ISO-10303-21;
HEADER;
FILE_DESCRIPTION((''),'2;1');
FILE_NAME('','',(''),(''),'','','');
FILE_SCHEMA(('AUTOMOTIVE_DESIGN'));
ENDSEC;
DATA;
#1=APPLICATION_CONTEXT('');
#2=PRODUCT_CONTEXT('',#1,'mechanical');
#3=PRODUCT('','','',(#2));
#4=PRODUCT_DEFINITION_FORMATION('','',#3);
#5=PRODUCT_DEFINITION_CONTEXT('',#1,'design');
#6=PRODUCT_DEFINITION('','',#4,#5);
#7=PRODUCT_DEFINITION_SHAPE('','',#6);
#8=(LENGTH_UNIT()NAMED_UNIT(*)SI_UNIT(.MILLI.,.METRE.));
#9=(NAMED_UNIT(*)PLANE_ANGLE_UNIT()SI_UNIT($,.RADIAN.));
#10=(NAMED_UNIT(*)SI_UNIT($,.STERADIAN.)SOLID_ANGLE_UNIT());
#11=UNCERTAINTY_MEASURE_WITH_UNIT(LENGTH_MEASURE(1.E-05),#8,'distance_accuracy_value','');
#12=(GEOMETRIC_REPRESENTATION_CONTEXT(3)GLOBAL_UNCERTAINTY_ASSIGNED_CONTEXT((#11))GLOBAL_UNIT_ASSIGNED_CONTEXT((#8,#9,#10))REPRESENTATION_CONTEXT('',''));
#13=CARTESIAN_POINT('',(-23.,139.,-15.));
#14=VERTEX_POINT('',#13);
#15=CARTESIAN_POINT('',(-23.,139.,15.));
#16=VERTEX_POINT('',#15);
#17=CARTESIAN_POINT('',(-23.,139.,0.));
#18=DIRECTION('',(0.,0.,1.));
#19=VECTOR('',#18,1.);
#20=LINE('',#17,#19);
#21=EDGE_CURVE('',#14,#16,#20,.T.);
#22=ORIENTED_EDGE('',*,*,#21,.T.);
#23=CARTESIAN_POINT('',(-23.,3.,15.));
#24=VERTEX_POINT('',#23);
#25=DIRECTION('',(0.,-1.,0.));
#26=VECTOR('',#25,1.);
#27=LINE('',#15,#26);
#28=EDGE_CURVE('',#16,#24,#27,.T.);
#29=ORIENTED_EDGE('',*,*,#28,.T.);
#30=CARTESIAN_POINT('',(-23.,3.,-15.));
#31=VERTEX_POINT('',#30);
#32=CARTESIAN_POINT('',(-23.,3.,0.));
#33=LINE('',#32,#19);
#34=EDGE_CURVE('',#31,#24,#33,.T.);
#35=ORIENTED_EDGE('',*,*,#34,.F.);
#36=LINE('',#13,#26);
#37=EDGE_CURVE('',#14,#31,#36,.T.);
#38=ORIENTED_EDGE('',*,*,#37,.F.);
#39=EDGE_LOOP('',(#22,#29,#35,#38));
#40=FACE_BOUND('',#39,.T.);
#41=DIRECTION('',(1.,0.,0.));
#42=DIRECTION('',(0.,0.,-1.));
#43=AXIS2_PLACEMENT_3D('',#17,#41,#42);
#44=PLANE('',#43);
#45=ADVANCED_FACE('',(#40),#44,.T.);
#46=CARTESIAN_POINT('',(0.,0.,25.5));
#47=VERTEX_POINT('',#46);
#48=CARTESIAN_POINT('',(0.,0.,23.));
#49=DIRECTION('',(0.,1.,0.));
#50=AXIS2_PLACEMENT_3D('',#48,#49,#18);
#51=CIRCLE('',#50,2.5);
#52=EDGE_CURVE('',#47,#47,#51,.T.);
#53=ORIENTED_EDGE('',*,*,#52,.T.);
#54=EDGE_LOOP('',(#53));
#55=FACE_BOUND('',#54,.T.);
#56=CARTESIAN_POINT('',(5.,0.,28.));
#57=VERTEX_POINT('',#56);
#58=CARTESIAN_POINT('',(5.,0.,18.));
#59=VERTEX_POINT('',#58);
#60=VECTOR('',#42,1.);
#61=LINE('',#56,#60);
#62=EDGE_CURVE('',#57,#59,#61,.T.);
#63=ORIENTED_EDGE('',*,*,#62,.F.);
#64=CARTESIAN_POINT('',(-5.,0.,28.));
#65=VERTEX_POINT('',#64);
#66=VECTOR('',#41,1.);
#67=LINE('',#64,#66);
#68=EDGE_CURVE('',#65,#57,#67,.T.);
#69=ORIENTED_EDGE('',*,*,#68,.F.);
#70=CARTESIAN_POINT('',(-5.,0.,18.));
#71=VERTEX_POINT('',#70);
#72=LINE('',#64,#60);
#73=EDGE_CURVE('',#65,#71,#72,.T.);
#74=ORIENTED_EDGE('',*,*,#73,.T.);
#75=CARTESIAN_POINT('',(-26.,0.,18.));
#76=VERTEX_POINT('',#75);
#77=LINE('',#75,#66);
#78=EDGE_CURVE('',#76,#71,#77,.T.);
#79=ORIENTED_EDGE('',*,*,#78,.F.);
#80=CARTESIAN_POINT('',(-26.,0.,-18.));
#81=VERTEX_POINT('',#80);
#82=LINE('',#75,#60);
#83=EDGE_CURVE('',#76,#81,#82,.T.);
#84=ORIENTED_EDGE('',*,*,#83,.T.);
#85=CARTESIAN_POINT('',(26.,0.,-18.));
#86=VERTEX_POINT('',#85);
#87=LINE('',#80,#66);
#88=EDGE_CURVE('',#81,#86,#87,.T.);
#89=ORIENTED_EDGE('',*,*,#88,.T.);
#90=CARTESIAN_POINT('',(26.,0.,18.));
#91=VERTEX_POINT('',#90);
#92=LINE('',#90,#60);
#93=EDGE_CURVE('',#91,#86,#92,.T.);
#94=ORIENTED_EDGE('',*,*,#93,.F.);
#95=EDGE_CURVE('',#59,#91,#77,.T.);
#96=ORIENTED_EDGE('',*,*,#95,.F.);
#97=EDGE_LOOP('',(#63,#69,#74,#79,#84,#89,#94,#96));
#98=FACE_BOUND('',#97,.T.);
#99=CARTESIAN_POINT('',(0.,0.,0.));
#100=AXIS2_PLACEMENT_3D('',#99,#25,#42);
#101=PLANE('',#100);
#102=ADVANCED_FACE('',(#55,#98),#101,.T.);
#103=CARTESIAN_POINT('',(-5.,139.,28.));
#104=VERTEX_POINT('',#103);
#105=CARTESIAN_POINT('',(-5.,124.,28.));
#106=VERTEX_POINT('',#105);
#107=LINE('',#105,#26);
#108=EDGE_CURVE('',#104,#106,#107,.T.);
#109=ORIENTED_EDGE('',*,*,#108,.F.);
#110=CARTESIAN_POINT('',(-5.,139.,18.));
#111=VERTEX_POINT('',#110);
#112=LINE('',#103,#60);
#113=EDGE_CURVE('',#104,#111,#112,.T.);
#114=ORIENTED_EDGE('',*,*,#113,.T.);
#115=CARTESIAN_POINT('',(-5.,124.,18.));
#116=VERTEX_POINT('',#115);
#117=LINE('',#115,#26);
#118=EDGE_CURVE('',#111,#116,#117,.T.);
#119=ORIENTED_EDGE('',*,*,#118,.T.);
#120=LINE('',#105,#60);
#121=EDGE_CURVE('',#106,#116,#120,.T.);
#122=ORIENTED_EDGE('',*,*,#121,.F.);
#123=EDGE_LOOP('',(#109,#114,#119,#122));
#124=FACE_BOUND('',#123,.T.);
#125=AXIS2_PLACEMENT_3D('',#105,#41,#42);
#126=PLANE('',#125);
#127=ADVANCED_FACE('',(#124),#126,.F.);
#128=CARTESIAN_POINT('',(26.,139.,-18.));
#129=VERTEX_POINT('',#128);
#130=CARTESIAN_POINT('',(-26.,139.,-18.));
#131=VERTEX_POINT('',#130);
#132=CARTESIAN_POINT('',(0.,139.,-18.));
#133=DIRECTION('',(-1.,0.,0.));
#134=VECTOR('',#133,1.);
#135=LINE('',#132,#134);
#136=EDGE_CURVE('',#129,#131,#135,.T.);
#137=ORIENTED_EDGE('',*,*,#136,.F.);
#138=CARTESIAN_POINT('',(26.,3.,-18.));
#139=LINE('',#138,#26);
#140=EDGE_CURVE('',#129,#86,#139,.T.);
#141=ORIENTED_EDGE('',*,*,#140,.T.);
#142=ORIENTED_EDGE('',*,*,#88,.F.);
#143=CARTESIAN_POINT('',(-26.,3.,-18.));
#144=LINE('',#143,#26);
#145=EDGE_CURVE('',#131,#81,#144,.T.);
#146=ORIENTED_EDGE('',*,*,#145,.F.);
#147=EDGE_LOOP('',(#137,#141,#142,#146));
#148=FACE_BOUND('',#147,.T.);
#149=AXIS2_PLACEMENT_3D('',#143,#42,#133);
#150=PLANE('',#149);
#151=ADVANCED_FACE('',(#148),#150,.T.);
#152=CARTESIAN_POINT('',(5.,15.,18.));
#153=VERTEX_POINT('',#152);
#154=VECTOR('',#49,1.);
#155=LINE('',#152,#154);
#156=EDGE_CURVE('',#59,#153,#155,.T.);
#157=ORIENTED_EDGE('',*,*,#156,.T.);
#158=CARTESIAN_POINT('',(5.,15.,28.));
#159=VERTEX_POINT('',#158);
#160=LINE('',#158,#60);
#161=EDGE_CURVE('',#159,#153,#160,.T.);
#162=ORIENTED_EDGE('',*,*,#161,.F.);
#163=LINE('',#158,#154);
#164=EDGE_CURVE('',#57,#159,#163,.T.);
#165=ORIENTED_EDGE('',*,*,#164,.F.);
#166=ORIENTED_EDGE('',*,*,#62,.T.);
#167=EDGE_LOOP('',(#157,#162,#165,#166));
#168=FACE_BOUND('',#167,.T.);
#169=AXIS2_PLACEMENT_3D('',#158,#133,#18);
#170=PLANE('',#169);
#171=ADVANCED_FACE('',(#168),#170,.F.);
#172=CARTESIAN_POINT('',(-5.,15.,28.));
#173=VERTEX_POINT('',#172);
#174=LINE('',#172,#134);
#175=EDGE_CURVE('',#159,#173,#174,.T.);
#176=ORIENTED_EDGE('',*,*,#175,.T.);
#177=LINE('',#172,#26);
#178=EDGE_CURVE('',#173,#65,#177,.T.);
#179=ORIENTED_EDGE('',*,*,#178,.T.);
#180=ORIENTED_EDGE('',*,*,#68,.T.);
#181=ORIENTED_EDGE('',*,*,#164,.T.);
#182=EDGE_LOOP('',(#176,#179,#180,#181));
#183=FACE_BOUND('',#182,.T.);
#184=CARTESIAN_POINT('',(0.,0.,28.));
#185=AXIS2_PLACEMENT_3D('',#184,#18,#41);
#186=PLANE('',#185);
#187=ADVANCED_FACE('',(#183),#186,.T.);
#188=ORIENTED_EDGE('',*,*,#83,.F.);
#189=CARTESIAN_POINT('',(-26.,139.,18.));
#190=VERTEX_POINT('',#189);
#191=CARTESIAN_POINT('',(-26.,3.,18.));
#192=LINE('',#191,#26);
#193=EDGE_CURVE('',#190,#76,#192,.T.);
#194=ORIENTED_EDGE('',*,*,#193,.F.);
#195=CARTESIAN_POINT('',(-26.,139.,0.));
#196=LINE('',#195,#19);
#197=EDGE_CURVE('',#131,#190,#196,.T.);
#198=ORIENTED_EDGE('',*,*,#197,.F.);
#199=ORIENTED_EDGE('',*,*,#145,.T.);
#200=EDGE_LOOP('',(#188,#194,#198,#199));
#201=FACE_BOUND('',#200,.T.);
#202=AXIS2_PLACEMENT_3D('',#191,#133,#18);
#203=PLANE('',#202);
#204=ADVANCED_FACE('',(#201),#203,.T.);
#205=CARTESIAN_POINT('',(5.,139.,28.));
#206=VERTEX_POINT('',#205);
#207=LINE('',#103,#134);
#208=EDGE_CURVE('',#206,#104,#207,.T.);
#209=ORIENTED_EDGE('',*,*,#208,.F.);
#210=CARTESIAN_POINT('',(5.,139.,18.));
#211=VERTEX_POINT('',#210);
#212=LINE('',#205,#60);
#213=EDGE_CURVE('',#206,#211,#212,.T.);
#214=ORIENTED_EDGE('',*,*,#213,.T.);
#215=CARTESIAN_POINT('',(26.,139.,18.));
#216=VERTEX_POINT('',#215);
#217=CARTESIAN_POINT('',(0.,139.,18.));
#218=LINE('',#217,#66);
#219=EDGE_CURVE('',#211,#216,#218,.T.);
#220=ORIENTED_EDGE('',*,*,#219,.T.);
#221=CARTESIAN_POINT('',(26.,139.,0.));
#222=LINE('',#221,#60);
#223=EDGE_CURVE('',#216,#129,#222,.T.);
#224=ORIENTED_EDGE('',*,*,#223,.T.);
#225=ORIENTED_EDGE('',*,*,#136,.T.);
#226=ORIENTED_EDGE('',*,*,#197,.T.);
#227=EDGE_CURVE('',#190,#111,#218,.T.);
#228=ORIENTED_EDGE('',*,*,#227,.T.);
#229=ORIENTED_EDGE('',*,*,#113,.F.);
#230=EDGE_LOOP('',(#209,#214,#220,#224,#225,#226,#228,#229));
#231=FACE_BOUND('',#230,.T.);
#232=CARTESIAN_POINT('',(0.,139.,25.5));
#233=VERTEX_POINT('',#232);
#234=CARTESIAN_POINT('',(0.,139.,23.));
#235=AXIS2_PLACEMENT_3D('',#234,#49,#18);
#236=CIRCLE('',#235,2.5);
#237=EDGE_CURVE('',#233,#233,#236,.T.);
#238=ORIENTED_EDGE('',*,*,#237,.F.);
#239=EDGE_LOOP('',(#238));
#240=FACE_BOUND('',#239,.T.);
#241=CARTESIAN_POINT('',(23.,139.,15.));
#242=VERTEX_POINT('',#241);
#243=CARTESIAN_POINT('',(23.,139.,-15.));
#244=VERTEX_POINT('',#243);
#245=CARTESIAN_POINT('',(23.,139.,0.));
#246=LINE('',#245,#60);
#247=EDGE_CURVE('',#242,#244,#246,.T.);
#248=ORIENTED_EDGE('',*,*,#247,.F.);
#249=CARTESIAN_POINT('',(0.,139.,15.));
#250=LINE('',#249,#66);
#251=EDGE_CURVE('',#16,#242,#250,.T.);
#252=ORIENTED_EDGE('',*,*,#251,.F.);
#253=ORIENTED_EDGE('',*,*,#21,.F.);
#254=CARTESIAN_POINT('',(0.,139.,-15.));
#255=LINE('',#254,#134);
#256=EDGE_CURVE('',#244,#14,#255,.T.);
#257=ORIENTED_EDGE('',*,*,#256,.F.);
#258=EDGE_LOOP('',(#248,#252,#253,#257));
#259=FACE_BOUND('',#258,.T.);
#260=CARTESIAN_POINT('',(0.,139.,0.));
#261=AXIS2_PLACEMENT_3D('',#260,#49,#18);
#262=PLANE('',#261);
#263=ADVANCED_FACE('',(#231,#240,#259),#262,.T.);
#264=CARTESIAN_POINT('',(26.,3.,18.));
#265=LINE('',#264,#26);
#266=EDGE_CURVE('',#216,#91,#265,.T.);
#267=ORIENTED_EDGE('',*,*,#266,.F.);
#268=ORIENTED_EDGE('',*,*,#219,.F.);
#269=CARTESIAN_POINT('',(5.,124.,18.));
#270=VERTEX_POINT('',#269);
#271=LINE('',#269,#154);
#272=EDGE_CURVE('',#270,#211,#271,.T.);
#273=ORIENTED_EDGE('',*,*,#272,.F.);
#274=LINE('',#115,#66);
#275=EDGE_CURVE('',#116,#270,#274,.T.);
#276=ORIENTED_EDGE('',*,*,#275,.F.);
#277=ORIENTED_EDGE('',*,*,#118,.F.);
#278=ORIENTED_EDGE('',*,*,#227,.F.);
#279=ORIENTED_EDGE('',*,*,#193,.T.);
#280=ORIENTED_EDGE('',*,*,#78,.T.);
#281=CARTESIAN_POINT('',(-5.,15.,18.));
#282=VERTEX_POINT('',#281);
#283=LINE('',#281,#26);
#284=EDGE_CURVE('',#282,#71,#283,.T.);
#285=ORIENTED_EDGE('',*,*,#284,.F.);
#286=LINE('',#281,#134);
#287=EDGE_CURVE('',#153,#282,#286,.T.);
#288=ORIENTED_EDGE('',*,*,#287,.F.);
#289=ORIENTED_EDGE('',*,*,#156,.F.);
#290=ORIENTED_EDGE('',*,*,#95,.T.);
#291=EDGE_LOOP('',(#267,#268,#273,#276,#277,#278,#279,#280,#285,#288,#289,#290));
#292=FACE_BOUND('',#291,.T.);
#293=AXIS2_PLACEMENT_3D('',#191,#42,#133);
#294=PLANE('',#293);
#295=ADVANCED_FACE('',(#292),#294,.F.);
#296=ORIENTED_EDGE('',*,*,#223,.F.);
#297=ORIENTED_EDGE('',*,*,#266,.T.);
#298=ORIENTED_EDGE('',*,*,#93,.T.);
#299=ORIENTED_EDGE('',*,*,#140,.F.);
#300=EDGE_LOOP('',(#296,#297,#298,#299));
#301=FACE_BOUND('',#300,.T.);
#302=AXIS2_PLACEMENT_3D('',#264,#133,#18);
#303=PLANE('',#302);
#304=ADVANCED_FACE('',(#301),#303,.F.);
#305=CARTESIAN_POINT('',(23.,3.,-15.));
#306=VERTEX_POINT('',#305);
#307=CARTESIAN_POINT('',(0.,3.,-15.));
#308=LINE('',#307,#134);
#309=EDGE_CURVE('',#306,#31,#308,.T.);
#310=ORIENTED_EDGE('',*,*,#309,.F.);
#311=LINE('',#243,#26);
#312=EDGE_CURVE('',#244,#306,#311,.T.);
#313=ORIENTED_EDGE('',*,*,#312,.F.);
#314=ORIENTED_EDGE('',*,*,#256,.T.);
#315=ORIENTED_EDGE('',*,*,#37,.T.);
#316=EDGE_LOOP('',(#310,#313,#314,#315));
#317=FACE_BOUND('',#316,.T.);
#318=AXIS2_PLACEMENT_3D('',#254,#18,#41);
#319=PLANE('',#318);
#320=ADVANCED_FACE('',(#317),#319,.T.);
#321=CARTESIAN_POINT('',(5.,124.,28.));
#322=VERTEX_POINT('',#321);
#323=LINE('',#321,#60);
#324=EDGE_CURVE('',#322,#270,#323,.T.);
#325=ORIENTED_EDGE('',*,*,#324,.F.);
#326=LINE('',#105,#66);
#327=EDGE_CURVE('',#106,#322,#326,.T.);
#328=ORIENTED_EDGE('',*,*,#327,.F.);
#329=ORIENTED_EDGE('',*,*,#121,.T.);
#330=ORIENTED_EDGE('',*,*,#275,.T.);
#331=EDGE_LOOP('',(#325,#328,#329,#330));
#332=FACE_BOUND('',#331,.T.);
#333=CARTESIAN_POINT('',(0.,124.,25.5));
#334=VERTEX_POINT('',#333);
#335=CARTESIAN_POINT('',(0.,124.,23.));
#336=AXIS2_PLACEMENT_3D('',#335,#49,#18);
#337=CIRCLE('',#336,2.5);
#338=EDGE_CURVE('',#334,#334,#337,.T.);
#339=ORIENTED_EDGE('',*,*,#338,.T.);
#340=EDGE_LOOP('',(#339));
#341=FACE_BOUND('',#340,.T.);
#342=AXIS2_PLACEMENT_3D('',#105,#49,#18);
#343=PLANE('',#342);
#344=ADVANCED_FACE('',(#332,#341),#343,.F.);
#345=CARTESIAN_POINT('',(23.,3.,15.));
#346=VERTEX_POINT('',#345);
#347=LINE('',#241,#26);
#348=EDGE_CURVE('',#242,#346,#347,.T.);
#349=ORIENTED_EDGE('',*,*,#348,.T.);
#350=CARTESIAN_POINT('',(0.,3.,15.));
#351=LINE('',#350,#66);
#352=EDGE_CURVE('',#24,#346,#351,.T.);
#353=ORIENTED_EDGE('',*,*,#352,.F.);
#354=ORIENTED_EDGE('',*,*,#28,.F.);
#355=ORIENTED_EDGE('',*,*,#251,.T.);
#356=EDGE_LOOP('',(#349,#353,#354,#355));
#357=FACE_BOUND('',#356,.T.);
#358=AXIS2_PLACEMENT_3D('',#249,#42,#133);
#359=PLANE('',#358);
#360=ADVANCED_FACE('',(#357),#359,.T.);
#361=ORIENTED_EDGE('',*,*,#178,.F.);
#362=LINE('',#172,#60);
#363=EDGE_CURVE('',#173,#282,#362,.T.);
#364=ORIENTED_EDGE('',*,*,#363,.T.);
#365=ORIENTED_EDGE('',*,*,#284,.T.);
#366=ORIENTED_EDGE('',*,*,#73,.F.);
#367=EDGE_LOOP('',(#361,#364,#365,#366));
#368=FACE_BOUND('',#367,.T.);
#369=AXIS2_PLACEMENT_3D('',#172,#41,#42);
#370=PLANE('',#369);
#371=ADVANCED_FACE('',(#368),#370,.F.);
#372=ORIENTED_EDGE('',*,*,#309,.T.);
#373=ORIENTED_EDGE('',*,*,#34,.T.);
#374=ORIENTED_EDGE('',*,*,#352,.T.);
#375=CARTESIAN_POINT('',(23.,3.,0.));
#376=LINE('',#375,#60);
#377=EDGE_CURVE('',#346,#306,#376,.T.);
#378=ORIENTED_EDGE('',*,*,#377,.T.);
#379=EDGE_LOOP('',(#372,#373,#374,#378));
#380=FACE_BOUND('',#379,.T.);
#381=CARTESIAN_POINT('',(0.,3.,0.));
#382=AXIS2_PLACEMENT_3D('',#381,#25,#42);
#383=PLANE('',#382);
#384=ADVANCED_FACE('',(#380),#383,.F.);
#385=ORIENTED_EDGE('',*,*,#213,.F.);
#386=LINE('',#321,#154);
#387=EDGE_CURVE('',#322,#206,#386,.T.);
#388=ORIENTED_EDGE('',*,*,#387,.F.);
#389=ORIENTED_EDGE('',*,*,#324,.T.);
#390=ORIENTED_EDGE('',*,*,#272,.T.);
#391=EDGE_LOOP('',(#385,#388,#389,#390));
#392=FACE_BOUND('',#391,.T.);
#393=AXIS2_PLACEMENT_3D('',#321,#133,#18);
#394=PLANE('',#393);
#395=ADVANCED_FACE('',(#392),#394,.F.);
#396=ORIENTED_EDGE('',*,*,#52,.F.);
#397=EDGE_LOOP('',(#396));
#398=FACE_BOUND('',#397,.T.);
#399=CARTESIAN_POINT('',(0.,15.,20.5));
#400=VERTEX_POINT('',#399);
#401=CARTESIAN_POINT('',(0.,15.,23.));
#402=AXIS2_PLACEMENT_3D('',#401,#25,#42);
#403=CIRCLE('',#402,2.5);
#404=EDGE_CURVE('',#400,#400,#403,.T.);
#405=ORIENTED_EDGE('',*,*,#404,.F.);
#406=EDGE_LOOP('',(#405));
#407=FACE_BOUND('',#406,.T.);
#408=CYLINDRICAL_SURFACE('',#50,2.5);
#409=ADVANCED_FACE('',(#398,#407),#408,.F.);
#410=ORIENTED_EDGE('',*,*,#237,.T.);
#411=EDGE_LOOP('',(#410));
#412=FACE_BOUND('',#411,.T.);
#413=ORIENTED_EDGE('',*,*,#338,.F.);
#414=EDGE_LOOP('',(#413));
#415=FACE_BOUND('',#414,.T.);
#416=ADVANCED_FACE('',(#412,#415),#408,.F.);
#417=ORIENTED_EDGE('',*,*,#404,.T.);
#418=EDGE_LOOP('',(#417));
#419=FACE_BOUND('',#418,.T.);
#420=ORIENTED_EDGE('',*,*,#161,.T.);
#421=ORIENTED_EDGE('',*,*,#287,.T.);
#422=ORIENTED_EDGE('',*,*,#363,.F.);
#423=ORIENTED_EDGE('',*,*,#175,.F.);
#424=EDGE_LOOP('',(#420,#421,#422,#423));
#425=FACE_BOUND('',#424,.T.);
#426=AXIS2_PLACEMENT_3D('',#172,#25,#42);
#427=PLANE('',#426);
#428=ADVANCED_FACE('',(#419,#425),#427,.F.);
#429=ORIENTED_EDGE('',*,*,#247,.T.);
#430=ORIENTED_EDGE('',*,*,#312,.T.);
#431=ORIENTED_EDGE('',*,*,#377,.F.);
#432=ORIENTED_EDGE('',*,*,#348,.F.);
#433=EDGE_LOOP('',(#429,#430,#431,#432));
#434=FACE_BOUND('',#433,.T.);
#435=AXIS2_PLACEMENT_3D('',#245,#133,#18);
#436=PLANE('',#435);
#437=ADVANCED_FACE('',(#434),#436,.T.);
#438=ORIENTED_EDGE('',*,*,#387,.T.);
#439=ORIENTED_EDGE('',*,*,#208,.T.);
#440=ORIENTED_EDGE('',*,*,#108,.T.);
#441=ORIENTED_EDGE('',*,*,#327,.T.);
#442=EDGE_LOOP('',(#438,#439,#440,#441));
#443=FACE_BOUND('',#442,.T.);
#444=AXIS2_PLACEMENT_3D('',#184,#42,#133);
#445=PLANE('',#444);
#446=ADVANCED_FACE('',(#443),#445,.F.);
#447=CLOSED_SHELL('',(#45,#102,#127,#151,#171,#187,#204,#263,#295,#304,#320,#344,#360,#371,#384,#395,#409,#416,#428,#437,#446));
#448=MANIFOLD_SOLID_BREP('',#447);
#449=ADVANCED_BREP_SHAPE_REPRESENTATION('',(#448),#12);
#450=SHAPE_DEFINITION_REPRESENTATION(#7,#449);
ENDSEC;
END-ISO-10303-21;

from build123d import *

# Parameters (mm, degrees)
SKETCH1_W               = 52
SKETCH1_H               = 36
BOSS_EXTRUDE1_DEPTH     = 3
BOSS_EXTRUDE2_START     = 3
SKETCH1_3_W             = 52
SKETCH1_3_H             = 36
SKETCH1_3_W_2           = 46
SKETCH1_3_H_2           = 30
BOSS_EXTRUDE2_DEPTH     = 136
SKETCH2_W               = 10
SKETCH2_H               = 15
BOSS_EXTRUDE3_DEPTH     = 10
SKETCH3_R               = 2.5
CUT_EXTRUDE1_DEPTH      = 1
CUT_EXTRUDE1_DEPTH_BACK = 140


with BuildPart() as part:
    # Sketch1 → Boss-Extrude1 (new body)
    with BuildSketch(Plane(origin=(0, 0, 0), x_dir=(1, 0, 0), z_dir=(0, 1, 0))):
        Rectangle(SKETCH1_W, SKETCH1_H)
    extrude(amount=BOSS_EXTRUDE1_DEPTH)

    # Sketch1<3> → Boss-Extrude2 (add)
    with BuildSketch(Plane(origin=(0, 0, 0), x_dir=(1, 0, 0), z_dir=(0, 1, 0)).offset(BOSS_EXTRUDE2_START)):
        Rectangle(SKETCH1_3_W, SKETCH1_3_H)
        Rectangle(SKETCH1_3_W_2, SKETCH1_3_H_2, mode=Mode.SUBTRACT)
    extrude(amount=BOSS_EXTRUDE2_DEPTH)

    # Sketch2 → Boss-Extrude3 (add)
    with BuildSketch(Plane.XY.offset(18)):
        with Locations((0, 131.5)):
            Rectangle(SKETCH2_W, SKETCH2_H)
        with Locations((0, 7.5)):
            Rectangle(SKETCH2_W, SKETCH2_H)
    extrude(amount=BOSS_EXTRUDE3_DEPTH)

    # Sketch3 → Cut-Extrude1 (cut, two sides)
    with BuildSketch(Plane(origin=(0, 139, 0), x_dir=(1, 0, 0), z_dir=(0, 1, 0))) as cut_extrude1_sk:
        with Locations((0, -23)):
            Circle(SKETCH3_R)
    extrude(amount=CUT_EXTRUDE1_DEPTH, mode=Mode.SUBTRACT)
    extrude(cut_extrude1_sk.sketch, amount=-CUT_EXTRUDE1_DEPTH_BACK, mode=Mode.SUBTRACT)


solid = part.part
